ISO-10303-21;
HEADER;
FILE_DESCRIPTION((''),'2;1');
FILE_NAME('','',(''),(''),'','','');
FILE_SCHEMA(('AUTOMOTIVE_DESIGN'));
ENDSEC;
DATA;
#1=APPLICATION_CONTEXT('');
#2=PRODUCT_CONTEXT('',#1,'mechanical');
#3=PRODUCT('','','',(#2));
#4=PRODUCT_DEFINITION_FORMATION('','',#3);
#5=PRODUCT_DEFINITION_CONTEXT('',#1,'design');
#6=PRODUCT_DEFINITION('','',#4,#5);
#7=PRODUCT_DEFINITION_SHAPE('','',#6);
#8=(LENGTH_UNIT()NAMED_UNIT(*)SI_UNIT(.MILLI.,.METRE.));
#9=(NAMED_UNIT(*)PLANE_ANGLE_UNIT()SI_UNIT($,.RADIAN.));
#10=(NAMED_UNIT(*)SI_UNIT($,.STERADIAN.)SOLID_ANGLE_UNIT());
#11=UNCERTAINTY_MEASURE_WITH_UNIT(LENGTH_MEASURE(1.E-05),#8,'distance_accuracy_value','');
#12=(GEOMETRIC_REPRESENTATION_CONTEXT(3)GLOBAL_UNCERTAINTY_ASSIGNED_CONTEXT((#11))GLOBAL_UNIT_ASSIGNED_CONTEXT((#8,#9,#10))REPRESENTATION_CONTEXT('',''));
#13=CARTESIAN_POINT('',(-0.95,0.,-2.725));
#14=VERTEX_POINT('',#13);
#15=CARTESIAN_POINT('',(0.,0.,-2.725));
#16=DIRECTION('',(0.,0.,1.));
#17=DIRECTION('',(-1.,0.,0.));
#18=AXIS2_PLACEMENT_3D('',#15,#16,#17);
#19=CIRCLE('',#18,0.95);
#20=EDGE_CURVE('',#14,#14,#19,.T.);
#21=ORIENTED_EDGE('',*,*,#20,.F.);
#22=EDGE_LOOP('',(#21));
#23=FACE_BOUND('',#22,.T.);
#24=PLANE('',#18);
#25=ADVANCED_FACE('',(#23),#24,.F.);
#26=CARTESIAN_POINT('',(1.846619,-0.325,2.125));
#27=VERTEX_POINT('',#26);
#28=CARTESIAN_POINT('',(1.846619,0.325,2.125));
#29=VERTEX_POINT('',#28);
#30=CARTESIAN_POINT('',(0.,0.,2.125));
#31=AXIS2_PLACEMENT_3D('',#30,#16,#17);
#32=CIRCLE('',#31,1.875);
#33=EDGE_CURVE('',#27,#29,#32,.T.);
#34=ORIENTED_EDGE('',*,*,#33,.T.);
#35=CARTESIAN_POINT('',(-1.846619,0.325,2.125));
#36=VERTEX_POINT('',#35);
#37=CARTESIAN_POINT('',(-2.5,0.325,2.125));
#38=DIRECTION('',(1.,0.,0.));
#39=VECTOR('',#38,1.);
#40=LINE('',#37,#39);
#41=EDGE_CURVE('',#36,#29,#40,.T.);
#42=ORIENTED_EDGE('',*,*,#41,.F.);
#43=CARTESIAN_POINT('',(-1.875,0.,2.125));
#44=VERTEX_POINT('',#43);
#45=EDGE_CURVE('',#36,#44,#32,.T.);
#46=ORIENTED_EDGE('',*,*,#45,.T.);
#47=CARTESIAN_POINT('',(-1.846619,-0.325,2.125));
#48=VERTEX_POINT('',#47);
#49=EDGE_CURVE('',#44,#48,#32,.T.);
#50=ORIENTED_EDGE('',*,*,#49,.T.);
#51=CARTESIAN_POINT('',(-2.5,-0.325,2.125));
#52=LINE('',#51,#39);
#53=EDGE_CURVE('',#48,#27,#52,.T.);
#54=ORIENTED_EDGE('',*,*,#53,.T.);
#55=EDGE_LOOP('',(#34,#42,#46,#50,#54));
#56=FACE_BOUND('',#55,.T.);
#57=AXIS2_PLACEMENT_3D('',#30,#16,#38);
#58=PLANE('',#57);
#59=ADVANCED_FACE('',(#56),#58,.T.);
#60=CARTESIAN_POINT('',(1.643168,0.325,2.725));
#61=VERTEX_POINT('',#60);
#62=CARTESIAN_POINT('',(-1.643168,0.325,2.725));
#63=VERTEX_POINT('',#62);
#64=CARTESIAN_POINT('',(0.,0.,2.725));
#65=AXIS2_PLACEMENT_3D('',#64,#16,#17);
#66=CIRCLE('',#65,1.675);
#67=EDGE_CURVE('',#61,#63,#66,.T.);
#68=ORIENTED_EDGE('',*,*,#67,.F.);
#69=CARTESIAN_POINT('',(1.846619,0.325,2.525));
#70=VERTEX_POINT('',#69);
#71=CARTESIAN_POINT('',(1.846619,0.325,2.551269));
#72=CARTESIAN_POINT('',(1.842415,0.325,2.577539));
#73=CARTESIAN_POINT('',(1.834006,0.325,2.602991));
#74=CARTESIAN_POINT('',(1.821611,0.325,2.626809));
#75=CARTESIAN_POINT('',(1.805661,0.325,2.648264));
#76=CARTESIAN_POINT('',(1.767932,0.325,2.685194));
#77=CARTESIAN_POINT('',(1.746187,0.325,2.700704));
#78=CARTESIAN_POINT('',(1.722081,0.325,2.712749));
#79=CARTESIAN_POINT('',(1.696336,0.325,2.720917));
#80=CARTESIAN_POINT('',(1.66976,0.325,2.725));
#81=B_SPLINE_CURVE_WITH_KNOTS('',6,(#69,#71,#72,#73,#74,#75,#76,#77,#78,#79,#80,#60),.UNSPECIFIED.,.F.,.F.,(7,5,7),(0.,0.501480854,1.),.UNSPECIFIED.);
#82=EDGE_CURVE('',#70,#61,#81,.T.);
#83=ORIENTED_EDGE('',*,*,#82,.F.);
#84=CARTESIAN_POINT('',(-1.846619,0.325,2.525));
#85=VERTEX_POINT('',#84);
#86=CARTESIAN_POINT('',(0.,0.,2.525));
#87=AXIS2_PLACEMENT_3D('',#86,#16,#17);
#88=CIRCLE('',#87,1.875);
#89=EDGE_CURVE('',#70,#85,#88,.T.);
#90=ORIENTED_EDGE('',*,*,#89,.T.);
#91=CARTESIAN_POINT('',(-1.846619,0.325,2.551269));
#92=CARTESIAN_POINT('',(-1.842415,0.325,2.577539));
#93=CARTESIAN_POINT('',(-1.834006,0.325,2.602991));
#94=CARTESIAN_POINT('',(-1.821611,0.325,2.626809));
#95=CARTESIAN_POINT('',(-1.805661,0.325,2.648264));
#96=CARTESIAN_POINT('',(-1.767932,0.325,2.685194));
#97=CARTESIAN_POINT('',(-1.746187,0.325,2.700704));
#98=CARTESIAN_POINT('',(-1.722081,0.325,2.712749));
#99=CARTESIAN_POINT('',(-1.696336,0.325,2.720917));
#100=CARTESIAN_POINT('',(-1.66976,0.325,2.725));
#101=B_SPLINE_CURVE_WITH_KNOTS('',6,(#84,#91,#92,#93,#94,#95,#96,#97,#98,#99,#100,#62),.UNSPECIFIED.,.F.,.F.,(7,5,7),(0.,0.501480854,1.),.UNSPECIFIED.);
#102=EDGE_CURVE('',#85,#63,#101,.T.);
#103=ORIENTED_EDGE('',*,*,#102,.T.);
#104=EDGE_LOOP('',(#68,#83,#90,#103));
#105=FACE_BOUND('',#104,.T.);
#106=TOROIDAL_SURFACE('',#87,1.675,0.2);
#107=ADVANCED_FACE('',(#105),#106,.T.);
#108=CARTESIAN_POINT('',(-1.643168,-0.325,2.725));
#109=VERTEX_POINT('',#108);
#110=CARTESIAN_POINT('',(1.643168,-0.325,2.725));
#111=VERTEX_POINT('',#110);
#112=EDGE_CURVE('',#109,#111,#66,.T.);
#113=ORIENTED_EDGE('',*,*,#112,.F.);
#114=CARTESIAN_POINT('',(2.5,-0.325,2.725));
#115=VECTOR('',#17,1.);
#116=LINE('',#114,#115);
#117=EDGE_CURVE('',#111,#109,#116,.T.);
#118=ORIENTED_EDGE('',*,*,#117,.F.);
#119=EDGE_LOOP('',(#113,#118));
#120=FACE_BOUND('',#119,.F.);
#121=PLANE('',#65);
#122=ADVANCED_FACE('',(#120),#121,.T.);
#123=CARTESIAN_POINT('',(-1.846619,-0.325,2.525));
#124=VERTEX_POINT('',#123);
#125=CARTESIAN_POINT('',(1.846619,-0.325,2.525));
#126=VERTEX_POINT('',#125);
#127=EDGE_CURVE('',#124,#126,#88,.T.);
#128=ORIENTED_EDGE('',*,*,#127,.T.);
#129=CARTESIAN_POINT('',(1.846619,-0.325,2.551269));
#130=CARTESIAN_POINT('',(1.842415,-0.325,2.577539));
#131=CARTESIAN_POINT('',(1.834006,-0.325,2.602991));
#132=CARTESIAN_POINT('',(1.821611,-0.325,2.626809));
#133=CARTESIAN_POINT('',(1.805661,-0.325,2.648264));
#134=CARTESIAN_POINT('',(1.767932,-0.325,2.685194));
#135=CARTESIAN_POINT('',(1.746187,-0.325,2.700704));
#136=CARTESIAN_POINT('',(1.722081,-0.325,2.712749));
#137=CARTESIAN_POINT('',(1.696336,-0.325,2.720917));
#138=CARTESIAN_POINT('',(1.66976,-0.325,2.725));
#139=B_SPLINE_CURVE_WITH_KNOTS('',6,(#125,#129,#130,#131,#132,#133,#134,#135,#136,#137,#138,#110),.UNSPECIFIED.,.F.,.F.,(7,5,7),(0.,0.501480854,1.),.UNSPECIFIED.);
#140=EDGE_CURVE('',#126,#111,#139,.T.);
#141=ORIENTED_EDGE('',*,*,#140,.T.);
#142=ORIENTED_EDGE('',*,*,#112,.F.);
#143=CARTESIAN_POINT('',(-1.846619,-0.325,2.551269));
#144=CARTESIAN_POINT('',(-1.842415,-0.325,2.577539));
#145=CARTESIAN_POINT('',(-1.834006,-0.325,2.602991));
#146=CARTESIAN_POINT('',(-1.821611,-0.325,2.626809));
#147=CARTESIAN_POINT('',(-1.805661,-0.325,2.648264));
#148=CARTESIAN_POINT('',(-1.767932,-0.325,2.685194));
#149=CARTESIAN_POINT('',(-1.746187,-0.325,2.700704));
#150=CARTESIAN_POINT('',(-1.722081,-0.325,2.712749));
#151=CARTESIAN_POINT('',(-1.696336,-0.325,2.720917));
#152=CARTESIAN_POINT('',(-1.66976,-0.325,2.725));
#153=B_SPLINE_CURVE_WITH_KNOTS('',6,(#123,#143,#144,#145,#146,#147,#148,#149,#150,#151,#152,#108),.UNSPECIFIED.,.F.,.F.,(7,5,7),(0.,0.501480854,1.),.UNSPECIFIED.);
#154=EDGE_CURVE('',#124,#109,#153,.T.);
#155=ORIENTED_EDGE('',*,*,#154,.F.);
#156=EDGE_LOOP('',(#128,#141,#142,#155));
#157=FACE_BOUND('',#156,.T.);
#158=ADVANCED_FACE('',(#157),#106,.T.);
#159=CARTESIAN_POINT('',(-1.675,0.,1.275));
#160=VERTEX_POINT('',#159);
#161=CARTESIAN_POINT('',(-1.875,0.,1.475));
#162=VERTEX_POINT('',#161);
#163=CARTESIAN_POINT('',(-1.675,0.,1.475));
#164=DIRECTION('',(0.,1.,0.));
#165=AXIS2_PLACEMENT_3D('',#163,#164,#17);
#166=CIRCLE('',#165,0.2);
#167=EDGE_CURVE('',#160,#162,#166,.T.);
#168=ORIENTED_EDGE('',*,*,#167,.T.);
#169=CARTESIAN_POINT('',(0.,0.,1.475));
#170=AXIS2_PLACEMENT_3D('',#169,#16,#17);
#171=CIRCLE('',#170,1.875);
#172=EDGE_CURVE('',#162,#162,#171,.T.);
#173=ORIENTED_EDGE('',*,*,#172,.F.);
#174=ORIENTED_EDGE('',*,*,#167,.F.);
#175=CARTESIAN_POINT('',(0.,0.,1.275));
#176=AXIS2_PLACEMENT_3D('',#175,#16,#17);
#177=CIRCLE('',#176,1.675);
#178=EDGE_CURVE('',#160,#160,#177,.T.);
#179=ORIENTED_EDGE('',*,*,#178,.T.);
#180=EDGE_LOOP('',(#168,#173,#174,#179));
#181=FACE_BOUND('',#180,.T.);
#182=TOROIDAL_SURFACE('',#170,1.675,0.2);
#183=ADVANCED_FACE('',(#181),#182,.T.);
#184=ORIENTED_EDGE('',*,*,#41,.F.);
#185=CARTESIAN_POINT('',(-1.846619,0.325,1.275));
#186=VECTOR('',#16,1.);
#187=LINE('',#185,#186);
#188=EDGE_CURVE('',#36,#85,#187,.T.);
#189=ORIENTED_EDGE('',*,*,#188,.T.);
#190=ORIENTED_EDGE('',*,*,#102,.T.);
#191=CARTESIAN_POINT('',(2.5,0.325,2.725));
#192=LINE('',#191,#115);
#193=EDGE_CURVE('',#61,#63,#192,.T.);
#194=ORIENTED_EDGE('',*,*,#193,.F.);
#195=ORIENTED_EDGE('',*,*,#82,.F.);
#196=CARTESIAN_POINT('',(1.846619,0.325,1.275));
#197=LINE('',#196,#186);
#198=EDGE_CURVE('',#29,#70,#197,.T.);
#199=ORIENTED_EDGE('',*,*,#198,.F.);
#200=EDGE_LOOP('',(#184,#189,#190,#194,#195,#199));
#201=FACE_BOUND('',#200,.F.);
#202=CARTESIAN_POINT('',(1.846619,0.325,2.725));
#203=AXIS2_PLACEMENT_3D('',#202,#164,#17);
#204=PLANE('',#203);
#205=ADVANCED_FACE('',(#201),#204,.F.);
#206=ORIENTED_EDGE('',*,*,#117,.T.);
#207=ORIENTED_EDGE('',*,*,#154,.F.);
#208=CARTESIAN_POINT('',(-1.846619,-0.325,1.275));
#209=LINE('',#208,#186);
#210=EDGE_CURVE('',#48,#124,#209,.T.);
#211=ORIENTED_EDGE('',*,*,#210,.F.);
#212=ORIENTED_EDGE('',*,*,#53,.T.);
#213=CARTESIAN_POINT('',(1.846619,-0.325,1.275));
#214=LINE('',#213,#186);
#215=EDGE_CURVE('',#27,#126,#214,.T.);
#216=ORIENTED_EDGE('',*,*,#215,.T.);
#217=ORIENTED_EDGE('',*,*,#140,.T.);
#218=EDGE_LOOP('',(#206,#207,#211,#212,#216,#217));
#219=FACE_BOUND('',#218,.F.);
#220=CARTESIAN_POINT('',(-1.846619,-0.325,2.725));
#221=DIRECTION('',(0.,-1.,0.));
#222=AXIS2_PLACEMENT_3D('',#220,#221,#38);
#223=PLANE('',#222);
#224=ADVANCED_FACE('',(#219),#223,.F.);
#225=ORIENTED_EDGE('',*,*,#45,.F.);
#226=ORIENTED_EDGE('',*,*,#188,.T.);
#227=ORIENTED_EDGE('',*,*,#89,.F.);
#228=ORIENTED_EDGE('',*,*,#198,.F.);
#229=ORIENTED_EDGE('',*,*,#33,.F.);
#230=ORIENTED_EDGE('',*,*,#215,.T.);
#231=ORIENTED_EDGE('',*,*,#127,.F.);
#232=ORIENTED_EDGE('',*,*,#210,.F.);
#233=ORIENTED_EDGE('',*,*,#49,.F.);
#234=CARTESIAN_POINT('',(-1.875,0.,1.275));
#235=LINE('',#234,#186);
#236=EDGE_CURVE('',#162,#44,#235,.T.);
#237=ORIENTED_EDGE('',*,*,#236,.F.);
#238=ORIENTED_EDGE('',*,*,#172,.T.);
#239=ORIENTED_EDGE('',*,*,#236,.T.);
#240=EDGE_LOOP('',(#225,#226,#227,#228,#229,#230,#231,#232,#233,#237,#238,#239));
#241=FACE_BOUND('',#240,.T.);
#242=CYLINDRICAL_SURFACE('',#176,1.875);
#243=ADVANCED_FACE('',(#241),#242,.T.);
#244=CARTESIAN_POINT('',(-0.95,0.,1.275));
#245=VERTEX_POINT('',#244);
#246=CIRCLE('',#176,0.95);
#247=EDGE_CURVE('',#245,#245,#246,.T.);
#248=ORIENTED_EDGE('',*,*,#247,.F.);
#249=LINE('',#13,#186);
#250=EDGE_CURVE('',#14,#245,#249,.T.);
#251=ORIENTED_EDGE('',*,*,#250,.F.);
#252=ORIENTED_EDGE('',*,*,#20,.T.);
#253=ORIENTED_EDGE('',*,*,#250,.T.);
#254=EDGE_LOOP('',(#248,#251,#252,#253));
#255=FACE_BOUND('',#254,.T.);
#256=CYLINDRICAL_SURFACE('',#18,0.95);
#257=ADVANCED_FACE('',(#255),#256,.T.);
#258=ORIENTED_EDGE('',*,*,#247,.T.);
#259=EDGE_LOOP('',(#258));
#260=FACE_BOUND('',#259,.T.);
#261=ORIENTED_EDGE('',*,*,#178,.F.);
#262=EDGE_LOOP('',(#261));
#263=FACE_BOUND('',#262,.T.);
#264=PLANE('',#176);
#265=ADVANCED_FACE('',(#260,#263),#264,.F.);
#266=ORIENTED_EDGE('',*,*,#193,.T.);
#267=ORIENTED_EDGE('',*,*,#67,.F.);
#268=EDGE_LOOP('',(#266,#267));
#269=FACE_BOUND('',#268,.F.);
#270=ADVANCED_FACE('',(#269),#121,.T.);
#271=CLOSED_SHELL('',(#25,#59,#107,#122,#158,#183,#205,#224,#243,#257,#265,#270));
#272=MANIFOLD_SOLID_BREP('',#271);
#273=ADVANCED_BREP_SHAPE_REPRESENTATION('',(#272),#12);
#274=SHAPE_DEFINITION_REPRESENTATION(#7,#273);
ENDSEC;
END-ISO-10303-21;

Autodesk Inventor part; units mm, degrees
ref_plane "YZ Plane" through (0, 0, 0) normal (1, 0, 0) x (0, 1, 0)
ref_plane "XZ Plane" through (0, 0, 0) normal (0, 1, 0) x (-1, 0, 0)
ref_plane "XY Plane" through (0, 0, 0) normal (0, 0, 1) x (1, 0, 0)
sketch "Sketch1" plane through (0, 0, 0) normal (0, 1, 0) x (-1, 0, 0)
  line L0 (0, -3.815) -> (0, 3.815) projected
  line L1 (0, -2.725) -> (0, 2.725)
  line L2 (0, -2.725) -> (0.95, -2.725)
  line L3 (0.95, -2.725) -> (0.95, 1.275)
  line L4 (0.95, 1.275) -> (1.875, 1.275)
  line L5 (1.875, 1.275) -> (1.875, 2.725)
  line L6 (2.25, 0) -> (-0.375, 0) projected
  line L7 (0, 2.725) -> (1.875, 2.725)
  point P0 (0, 0)
  dimension "d0" = 4
  dimension "d1" = 1.9
  dimension "d3" = 3.75
  dimension "d4" = 1.45
revolve "Revolution1" add sketch "Sketch1" angle 360 about axis through (0, 0, -10) along (0, 0, 1)
thread "Thread2" size "M2x0.4" class "6g" standard "ANSI Metric M Profile" full length
fillet "Fillet1" radius 0.2 2 edges at (1.875, 0, 2.725) (1.875, 0, 1.275)
sketch "Sketch3" plane through (0, 0, 2.725) normal (0, 0, 1) x (1, 0, 0)
  circle A0 centre (0, 0) radius 1.875 projected
  circle A1 centre (0, 0) radius 1.875 projected
  line L0 (-2.5, -0.325) -> (2.5, -0.325)
  line L1 (2.5, -0.325) -> (2.5, 0.325)
  line L2 (2.5, 0.325) -> (-2.5, 0.325)
  line L3 (-2.5, 0.325) -> (-2.5, -0.325)
  line L4 (-2.5, -0.325) -> (2.5, 0.325) construction
  line L5 (2.5, -0.325) -> (-2.5, 0.325) construction
  dimension "d15" = 0.65
  dimension "d16" = 5
extrude "Extrusion2" cut sketch "Sketch3" against normal blind 0.6 contours A0 L0 L2 | A0 L2 L1 L0 | A0 L0 L3 L2
properties part number "empty"
